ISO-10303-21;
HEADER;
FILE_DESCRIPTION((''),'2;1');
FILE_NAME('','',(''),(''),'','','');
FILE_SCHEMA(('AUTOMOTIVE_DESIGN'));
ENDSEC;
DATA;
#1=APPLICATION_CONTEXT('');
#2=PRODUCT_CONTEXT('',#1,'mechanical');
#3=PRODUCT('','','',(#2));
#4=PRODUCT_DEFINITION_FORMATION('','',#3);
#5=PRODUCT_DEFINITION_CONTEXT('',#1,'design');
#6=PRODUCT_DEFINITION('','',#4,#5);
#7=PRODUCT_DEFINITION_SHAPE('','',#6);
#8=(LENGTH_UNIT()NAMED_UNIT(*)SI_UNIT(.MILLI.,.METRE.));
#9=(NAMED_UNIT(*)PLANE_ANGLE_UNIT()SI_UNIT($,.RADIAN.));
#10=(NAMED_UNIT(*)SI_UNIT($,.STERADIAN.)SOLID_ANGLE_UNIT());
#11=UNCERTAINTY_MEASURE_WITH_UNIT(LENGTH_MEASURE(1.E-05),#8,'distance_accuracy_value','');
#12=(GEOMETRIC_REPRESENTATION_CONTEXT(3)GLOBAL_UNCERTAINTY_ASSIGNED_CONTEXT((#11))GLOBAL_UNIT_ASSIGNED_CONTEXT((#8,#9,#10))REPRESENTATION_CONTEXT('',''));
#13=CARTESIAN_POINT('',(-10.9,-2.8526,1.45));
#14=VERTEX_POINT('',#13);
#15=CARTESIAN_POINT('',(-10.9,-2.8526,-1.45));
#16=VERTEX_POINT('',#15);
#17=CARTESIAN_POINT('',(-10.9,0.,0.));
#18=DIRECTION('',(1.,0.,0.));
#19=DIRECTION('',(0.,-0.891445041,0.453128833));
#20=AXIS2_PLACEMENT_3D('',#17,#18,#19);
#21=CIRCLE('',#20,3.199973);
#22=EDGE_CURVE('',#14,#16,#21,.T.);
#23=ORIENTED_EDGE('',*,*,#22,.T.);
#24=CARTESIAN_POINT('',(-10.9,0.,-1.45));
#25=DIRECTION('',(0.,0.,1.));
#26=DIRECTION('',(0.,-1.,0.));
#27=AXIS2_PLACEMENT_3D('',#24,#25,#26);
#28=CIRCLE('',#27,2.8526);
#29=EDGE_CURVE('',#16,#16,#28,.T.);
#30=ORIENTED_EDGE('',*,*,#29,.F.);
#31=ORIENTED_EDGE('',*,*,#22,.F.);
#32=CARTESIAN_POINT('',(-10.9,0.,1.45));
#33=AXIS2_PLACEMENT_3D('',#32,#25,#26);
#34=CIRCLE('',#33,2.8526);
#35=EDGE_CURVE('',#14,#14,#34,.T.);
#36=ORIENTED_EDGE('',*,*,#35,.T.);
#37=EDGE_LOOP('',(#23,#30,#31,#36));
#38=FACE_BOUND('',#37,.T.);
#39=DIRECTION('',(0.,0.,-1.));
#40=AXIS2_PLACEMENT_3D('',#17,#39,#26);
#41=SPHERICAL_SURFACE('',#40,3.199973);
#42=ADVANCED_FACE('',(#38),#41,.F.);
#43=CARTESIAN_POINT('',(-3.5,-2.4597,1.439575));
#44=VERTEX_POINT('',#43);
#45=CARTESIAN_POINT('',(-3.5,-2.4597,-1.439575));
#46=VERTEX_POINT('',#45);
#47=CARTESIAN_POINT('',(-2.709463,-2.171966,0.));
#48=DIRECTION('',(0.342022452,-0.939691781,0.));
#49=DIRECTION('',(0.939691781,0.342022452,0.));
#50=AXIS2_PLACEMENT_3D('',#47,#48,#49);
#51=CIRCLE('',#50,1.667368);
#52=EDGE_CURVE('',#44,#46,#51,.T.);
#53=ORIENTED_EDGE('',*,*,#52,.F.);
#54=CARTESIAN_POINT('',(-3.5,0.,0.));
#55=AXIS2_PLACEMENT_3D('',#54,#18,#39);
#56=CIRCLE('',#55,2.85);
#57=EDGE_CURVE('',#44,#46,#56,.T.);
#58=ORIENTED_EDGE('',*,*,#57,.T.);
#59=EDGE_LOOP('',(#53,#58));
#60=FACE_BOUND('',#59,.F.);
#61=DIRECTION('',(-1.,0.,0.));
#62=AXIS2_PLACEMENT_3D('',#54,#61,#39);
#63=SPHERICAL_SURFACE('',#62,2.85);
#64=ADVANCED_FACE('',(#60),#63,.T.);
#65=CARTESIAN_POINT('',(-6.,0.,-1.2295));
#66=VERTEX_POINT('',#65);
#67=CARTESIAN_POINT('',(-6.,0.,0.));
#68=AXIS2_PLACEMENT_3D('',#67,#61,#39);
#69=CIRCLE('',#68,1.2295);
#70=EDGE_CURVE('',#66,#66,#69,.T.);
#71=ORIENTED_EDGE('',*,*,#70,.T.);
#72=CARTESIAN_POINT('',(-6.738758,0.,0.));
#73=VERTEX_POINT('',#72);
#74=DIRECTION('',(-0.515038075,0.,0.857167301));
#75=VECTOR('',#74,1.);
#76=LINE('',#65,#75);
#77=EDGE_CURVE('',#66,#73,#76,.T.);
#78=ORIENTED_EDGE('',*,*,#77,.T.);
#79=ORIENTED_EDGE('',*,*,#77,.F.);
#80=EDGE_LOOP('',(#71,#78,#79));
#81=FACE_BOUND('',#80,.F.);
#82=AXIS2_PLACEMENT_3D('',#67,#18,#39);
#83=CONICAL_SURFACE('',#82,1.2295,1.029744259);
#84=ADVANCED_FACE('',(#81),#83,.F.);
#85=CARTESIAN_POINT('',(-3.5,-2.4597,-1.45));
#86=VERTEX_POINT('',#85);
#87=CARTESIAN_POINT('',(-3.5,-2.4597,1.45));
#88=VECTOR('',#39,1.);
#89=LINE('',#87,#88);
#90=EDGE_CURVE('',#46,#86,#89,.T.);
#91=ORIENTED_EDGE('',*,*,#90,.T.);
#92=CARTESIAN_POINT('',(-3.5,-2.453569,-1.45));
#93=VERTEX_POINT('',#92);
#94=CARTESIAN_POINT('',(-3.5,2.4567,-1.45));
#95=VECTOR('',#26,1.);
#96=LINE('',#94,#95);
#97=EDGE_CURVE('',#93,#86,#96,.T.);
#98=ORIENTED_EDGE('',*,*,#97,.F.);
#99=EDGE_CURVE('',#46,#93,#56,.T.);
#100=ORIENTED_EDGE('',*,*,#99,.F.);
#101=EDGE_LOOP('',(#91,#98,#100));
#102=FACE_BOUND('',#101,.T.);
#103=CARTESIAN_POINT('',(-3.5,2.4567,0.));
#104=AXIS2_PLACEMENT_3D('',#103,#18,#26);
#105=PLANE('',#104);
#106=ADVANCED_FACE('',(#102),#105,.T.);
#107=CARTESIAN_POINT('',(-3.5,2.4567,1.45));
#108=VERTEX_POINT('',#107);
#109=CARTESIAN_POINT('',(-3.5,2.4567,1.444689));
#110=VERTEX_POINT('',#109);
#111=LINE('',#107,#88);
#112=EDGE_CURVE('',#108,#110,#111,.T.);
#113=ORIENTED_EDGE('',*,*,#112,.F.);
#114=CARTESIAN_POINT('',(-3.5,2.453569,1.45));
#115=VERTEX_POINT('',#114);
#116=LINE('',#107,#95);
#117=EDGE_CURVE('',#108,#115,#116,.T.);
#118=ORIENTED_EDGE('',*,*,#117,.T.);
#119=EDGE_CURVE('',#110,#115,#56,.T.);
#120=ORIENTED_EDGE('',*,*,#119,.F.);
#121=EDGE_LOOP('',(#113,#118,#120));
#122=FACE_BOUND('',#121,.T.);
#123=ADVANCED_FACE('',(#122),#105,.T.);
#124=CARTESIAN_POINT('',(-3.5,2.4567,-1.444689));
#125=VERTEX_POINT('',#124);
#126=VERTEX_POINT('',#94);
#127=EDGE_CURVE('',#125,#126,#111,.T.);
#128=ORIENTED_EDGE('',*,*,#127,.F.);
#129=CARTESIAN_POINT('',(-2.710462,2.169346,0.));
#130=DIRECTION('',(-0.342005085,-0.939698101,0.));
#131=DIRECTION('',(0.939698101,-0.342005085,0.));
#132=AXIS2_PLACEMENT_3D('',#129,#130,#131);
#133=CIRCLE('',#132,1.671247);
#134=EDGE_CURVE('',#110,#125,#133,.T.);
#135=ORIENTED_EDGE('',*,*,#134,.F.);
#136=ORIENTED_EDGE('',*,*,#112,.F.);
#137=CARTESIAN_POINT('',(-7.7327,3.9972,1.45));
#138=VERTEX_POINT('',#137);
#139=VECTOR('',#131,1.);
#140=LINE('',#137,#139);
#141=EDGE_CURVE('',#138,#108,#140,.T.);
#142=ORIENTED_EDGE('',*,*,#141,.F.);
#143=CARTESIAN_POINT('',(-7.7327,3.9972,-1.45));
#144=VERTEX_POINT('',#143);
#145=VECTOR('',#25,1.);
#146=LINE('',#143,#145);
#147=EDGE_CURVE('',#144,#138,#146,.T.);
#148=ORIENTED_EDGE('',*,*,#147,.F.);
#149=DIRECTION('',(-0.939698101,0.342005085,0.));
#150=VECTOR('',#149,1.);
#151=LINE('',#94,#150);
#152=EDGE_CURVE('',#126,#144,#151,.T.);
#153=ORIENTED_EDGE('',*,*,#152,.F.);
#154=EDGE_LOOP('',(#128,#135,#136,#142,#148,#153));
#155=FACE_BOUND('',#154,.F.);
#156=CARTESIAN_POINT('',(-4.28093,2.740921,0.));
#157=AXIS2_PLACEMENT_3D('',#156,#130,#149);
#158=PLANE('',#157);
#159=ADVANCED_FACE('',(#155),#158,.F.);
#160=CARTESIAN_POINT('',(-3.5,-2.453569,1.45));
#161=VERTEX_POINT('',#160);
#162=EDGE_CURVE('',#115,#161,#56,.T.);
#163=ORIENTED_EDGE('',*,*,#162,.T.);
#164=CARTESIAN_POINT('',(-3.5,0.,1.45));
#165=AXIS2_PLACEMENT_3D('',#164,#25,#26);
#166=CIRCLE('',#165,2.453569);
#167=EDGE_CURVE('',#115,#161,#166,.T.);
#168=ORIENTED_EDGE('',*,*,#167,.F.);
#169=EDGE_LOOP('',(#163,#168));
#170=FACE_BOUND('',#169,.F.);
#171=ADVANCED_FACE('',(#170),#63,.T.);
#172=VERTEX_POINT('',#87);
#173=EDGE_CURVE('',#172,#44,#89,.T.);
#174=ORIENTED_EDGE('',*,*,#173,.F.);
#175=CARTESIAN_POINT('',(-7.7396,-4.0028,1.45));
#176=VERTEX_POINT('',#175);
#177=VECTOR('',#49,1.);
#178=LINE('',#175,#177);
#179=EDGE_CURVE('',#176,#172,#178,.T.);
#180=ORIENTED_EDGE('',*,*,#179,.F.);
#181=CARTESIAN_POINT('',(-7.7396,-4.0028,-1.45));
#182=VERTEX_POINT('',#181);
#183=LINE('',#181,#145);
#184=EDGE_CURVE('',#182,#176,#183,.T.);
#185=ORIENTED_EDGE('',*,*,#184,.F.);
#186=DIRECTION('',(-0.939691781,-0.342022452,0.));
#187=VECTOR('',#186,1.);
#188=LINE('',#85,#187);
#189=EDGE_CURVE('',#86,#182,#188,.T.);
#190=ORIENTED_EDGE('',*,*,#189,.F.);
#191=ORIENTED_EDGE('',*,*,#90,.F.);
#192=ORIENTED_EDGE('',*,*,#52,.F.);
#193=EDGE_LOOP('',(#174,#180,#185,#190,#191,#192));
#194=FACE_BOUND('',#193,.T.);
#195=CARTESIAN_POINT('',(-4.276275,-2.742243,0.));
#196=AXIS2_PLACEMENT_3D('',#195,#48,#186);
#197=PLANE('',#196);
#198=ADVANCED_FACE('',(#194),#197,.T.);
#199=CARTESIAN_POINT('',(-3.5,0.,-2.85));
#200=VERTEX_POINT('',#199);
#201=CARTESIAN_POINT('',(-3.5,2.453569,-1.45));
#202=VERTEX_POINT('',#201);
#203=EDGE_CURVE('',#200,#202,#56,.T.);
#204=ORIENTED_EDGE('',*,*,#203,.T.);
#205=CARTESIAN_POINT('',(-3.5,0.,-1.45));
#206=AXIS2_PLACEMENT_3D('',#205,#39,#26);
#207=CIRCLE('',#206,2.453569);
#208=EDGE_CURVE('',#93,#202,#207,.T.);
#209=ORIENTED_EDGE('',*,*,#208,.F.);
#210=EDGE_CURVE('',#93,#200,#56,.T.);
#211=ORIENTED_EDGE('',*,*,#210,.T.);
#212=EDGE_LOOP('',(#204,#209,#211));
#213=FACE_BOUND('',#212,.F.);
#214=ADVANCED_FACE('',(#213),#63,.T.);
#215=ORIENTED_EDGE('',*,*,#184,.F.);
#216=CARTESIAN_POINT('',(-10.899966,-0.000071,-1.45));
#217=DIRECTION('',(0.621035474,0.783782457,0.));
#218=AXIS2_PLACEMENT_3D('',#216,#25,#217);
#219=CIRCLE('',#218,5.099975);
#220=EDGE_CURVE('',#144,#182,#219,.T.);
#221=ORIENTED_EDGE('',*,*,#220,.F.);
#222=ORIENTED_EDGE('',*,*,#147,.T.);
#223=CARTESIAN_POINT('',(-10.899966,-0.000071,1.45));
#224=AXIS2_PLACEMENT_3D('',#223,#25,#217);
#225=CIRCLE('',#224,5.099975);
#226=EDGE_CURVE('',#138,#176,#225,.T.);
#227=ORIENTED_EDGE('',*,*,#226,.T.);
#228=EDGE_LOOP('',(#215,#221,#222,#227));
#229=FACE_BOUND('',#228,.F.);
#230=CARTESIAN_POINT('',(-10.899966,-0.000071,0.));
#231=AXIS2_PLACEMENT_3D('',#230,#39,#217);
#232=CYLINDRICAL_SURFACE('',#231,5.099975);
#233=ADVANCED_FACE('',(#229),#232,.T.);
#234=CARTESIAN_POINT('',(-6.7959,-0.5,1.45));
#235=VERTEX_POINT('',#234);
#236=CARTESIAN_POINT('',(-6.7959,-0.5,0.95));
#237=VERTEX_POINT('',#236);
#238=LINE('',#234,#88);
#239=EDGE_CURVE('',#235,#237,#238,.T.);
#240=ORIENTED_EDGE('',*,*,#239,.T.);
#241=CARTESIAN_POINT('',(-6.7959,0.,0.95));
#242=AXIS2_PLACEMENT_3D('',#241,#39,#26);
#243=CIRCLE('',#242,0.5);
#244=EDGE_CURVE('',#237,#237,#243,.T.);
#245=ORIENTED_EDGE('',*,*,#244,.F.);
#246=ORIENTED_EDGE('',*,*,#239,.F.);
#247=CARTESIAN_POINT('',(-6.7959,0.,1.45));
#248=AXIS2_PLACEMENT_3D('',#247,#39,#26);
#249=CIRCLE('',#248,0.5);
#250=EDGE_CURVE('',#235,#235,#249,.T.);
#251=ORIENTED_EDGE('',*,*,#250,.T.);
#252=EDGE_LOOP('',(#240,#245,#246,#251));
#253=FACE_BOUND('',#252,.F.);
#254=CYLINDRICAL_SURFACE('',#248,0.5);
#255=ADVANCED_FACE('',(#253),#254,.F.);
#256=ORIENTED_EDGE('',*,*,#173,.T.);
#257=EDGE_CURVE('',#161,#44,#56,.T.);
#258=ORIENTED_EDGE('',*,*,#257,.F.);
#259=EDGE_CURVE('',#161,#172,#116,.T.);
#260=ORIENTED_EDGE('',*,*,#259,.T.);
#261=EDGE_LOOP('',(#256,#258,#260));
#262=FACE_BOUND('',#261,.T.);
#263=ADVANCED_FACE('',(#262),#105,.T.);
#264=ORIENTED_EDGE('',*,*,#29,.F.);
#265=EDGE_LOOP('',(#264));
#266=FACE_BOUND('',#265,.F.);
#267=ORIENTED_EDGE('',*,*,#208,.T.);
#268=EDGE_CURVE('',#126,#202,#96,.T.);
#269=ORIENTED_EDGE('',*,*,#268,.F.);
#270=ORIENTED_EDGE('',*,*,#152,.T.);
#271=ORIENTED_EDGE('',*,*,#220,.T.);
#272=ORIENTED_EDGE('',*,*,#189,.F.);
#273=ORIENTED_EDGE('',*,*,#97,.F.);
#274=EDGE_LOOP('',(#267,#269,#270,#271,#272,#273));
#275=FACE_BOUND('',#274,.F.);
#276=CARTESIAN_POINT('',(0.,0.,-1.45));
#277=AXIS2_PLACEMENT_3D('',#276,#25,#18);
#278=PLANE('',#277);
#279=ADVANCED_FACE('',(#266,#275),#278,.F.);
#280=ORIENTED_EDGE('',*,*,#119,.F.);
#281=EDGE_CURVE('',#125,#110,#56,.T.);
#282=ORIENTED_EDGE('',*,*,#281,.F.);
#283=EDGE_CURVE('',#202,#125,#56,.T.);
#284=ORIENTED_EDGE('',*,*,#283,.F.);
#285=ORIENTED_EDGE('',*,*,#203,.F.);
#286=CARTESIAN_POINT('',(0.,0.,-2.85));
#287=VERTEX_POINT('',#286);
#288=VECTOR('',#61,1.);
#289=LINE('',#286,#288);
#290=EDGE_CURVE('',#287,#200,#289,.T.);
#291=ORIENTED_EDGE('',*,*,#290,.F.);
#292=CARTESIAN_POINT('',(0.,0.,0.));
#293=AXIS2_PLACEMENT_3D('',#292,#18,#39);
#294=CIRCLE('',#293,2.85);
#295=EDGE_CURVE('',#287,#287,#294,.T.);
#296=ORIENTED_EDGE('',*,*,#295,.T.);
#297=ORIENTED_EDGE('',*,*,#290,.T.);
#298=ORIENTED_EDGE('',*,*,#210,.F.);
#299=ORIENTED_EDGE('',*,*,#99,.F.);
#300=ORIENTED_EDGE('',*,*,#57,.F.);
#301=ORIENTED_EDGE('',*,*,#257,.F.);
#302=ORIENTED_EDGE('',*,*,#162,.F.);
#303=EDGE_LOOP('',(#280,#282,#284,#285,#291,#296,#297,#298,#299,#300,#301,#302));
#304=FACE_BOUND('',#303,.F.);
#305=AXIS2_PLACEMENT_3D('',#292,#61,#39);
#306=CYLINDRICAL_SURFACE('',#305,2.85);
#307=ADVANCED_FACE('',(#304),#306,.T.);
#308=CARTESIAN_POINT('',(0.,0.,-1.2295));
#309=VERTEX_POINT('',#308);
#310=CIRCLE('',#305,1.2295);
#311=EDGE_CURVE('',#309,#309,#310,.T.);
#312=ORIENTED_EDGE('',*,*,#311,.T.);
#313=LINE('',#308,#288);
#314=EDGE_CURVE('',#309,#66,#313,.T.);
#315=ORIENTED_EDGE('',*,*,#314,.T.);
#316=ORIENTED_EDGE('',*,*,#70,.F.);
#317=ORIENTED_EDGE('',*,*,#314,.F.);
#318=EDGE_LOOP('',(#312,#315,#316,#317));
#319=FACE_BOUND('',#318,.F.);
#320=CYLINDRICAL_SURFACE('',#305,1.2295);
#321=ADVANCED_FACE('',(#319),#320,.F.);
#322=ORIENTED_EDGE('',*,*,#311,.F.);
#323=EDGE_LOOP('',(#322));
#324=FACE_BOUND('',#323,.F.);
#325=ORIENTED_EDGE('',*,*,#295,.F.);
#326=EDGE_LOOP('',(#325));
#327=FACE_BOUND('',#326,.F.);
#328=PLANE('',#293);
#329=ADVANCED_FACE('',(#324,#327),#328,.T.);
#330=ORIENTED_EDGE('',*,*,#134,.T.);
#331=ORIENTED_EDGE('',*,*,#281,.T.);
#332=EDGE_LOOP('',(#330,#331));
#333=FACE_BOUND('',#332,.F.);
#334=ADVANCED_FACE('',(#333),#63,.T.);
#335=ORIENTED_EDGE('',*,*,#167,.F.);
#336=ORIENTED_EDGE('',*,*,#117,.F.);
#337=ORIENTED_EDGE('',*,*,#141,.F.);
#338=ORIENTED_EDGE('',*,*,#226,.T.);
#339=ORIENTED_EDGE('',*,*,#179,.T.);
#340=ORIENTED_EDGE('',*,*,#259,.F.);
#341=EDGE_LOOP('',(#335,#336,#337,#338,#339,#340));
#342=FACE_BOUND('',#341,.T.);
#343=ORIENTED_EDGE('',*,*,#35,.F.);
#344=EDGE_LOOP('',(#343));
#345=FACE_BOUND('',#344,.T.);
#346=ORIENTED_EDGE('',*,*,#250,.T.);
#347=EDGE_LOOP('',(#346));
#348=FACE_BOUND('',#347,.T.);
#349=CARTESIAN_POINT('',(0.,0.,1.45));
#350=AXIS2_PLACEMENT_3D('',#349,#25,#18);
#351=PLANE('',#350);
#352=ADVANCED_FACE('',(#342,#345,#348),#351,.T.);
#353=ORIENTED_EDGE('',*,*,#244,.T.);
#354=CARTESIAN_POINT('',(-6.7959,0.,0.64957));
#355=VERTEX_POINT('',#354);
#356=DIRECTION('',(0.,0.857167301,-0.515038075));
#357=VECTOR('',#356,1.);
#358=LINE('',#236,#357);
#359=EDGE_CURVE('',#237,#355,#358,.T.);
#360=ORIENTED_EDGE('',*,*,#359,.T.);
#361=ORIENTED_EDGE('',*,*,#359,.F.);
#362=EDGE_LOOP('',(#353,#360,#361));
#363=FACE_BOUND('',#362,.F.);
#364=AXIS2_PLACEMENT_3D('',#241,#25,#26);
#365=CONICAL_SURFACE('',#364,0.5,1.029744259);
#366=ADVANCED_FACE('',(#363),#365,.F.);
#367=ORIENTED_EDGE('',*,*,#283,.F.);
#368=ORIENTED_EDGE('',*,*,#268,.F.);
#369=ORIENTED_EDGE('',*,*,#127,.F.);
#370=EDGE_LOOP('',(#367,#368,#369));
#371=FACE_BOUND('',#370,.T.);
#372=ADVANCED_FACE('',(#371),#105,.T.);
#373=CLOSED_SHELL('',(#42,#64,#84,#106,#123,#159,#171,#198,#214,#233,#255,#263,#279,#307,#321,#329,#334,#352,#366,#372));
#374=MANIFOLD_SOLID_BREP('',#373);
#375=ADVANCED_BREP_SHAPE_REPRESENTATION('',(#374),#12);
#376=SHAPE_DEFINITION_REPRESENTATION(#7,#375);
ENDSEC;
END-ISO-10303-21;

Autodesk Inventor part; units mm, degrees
ref_plane "YZ Plane" through (0, 0, 0) normal (1, 0, 0) x (0, 1, 0)
ref_plane "XZ Plane" through (0, 0, 0) normal (0, 1, 0) x (-1, 0, 0)
ref_plane "XY Plane" through (0, 0, 0) normal (0, 0, 1) x (1, 0, 0)
sketch "Sketch1" plane through (0, 0, 0) normal (0, 1, 0) x (-1, 0, 0)
  line L0 (3.5, 0) -> (-5.6696, 0) construction
  line L1 (0, -2.85) -> (3.5, -2.85)
  arc A0 (3.5, -2.85) -> (6.35, 0) centre (3.5, 0) ccw
  line L2 (0, 0) -> (0, -2.85)
  line L3 (0, 0) -> (6.35, 0)
  point P0 (-1.0848, 0)
  dimension "d0" = 2.85
  dimension "d1" = 3.5
revolve "Revolution1" add sketch "Sketch1" angle 360 about axis through (-3.5, 0, 0) along (1, 0, 0)
sketch "Sketch2" plane through (0, 0, 0) normal (0, 0, 1) x (1, 0, 0)
  arc A0 (-7.7327, 3.9972) -> (-7.7396, -4.0028) centre (-10.9, 0) ccw
  line L0 (0, -2.85) -> (0, 2.85) projected
  line L1 (-3.5, -2.4597) -> (-7.7396, -4.0028)
  line L2 (-3.5, 2.4567) -> (-7.7327, 3.9972)
  arc A1 (-3.5, 2.85) -> (-6.35, 0) centre (-3.5, 0) ccw projected
  line L3 (-3.5, 2.85) -> (0, 2.85) projected
  line L4 (0, 2.85) -> (0, -2.85) projected
  line L5 (0, -2.85) -> (-3.5, -2.85) projected
  arc A2 (-6.35, 0) -> (-3.5, -2.85) centre (-3.5, 0) ccw projected
  line L6 (-3.5, 2.4567) -> (-3.5, -2.4597)
  line L7 (-3.5, -2.85) -> (-3.5, 2.85) projected
  point P0 (0, 0)
  dimension "d3" = 10.2
  dimension "d4" = 10.9
  dimension "d7" = 8
  dimension "d12" = 110
  dimension "d13" = 110
extrude "Extrusion1" add sketch "Sketch2" along normal mid plane 2.9 contours L2 A1 A2 L1 A0 | L2 L6 L1 A2 A1
hole "Hole1" at (0, 0, 0) direction (-1, 0, 0) diameter 2.459 depth 6 tip angle 118 thread size "M3x0.5" class "6H" standard "ANSI Metric M Profile"
ref_plane "Work Plane1" through (-10.9, 0, 0) normal (1, 0, 0) x (0, 0, 1)
sketch "Sketch3" plane through (-10.9, 0, 0) normal (1, 0, 0) x (0, 0, 1)
  line L0 (-1.45, -5.1) -> (-1.45, 5.1) projected
  line L1 (-1.45, 5.1) -> (1.45, 5.1) projected
  line L2 (1.45, 5.1) -> (1.45, -5.1) projected
  line L3 (1.45, -5.1) -> (-1.45, -5.1) projected
  arc A0 (1.45, 2.8526) -> (-1.45, 2.8526) centre (0, 0) ccw
  line L4 (1.45, 0) -> (-1.45, 0)
  line L5 (-1.45, 2.8526) -> (-1.45, 0)
  line L6 (1.45, 0) -> (1.45, 2.8526)
  line L7 (-3.99, 0) -> (3.99, 0) projected
revolve "Revolution2" cut sketch "Sketch3" angle 360 about axis through (-10.9, 0, 0) along (0, 0, 1) contours L0 A0 L2 L4
sketch "Sketch4" plane through (0, 0, 1.45) normal (0, 0, 1) x (1, 0, 0)
  point P0 (0, 0)
  point P1 (-6.7959, 0)
hole "Hole2" at (-6.7959, 0, 1.45) direction (0, 0, -1) diameter 1 depth 0.5 tip angle 118
properties part number "500-103" material "Steel"
